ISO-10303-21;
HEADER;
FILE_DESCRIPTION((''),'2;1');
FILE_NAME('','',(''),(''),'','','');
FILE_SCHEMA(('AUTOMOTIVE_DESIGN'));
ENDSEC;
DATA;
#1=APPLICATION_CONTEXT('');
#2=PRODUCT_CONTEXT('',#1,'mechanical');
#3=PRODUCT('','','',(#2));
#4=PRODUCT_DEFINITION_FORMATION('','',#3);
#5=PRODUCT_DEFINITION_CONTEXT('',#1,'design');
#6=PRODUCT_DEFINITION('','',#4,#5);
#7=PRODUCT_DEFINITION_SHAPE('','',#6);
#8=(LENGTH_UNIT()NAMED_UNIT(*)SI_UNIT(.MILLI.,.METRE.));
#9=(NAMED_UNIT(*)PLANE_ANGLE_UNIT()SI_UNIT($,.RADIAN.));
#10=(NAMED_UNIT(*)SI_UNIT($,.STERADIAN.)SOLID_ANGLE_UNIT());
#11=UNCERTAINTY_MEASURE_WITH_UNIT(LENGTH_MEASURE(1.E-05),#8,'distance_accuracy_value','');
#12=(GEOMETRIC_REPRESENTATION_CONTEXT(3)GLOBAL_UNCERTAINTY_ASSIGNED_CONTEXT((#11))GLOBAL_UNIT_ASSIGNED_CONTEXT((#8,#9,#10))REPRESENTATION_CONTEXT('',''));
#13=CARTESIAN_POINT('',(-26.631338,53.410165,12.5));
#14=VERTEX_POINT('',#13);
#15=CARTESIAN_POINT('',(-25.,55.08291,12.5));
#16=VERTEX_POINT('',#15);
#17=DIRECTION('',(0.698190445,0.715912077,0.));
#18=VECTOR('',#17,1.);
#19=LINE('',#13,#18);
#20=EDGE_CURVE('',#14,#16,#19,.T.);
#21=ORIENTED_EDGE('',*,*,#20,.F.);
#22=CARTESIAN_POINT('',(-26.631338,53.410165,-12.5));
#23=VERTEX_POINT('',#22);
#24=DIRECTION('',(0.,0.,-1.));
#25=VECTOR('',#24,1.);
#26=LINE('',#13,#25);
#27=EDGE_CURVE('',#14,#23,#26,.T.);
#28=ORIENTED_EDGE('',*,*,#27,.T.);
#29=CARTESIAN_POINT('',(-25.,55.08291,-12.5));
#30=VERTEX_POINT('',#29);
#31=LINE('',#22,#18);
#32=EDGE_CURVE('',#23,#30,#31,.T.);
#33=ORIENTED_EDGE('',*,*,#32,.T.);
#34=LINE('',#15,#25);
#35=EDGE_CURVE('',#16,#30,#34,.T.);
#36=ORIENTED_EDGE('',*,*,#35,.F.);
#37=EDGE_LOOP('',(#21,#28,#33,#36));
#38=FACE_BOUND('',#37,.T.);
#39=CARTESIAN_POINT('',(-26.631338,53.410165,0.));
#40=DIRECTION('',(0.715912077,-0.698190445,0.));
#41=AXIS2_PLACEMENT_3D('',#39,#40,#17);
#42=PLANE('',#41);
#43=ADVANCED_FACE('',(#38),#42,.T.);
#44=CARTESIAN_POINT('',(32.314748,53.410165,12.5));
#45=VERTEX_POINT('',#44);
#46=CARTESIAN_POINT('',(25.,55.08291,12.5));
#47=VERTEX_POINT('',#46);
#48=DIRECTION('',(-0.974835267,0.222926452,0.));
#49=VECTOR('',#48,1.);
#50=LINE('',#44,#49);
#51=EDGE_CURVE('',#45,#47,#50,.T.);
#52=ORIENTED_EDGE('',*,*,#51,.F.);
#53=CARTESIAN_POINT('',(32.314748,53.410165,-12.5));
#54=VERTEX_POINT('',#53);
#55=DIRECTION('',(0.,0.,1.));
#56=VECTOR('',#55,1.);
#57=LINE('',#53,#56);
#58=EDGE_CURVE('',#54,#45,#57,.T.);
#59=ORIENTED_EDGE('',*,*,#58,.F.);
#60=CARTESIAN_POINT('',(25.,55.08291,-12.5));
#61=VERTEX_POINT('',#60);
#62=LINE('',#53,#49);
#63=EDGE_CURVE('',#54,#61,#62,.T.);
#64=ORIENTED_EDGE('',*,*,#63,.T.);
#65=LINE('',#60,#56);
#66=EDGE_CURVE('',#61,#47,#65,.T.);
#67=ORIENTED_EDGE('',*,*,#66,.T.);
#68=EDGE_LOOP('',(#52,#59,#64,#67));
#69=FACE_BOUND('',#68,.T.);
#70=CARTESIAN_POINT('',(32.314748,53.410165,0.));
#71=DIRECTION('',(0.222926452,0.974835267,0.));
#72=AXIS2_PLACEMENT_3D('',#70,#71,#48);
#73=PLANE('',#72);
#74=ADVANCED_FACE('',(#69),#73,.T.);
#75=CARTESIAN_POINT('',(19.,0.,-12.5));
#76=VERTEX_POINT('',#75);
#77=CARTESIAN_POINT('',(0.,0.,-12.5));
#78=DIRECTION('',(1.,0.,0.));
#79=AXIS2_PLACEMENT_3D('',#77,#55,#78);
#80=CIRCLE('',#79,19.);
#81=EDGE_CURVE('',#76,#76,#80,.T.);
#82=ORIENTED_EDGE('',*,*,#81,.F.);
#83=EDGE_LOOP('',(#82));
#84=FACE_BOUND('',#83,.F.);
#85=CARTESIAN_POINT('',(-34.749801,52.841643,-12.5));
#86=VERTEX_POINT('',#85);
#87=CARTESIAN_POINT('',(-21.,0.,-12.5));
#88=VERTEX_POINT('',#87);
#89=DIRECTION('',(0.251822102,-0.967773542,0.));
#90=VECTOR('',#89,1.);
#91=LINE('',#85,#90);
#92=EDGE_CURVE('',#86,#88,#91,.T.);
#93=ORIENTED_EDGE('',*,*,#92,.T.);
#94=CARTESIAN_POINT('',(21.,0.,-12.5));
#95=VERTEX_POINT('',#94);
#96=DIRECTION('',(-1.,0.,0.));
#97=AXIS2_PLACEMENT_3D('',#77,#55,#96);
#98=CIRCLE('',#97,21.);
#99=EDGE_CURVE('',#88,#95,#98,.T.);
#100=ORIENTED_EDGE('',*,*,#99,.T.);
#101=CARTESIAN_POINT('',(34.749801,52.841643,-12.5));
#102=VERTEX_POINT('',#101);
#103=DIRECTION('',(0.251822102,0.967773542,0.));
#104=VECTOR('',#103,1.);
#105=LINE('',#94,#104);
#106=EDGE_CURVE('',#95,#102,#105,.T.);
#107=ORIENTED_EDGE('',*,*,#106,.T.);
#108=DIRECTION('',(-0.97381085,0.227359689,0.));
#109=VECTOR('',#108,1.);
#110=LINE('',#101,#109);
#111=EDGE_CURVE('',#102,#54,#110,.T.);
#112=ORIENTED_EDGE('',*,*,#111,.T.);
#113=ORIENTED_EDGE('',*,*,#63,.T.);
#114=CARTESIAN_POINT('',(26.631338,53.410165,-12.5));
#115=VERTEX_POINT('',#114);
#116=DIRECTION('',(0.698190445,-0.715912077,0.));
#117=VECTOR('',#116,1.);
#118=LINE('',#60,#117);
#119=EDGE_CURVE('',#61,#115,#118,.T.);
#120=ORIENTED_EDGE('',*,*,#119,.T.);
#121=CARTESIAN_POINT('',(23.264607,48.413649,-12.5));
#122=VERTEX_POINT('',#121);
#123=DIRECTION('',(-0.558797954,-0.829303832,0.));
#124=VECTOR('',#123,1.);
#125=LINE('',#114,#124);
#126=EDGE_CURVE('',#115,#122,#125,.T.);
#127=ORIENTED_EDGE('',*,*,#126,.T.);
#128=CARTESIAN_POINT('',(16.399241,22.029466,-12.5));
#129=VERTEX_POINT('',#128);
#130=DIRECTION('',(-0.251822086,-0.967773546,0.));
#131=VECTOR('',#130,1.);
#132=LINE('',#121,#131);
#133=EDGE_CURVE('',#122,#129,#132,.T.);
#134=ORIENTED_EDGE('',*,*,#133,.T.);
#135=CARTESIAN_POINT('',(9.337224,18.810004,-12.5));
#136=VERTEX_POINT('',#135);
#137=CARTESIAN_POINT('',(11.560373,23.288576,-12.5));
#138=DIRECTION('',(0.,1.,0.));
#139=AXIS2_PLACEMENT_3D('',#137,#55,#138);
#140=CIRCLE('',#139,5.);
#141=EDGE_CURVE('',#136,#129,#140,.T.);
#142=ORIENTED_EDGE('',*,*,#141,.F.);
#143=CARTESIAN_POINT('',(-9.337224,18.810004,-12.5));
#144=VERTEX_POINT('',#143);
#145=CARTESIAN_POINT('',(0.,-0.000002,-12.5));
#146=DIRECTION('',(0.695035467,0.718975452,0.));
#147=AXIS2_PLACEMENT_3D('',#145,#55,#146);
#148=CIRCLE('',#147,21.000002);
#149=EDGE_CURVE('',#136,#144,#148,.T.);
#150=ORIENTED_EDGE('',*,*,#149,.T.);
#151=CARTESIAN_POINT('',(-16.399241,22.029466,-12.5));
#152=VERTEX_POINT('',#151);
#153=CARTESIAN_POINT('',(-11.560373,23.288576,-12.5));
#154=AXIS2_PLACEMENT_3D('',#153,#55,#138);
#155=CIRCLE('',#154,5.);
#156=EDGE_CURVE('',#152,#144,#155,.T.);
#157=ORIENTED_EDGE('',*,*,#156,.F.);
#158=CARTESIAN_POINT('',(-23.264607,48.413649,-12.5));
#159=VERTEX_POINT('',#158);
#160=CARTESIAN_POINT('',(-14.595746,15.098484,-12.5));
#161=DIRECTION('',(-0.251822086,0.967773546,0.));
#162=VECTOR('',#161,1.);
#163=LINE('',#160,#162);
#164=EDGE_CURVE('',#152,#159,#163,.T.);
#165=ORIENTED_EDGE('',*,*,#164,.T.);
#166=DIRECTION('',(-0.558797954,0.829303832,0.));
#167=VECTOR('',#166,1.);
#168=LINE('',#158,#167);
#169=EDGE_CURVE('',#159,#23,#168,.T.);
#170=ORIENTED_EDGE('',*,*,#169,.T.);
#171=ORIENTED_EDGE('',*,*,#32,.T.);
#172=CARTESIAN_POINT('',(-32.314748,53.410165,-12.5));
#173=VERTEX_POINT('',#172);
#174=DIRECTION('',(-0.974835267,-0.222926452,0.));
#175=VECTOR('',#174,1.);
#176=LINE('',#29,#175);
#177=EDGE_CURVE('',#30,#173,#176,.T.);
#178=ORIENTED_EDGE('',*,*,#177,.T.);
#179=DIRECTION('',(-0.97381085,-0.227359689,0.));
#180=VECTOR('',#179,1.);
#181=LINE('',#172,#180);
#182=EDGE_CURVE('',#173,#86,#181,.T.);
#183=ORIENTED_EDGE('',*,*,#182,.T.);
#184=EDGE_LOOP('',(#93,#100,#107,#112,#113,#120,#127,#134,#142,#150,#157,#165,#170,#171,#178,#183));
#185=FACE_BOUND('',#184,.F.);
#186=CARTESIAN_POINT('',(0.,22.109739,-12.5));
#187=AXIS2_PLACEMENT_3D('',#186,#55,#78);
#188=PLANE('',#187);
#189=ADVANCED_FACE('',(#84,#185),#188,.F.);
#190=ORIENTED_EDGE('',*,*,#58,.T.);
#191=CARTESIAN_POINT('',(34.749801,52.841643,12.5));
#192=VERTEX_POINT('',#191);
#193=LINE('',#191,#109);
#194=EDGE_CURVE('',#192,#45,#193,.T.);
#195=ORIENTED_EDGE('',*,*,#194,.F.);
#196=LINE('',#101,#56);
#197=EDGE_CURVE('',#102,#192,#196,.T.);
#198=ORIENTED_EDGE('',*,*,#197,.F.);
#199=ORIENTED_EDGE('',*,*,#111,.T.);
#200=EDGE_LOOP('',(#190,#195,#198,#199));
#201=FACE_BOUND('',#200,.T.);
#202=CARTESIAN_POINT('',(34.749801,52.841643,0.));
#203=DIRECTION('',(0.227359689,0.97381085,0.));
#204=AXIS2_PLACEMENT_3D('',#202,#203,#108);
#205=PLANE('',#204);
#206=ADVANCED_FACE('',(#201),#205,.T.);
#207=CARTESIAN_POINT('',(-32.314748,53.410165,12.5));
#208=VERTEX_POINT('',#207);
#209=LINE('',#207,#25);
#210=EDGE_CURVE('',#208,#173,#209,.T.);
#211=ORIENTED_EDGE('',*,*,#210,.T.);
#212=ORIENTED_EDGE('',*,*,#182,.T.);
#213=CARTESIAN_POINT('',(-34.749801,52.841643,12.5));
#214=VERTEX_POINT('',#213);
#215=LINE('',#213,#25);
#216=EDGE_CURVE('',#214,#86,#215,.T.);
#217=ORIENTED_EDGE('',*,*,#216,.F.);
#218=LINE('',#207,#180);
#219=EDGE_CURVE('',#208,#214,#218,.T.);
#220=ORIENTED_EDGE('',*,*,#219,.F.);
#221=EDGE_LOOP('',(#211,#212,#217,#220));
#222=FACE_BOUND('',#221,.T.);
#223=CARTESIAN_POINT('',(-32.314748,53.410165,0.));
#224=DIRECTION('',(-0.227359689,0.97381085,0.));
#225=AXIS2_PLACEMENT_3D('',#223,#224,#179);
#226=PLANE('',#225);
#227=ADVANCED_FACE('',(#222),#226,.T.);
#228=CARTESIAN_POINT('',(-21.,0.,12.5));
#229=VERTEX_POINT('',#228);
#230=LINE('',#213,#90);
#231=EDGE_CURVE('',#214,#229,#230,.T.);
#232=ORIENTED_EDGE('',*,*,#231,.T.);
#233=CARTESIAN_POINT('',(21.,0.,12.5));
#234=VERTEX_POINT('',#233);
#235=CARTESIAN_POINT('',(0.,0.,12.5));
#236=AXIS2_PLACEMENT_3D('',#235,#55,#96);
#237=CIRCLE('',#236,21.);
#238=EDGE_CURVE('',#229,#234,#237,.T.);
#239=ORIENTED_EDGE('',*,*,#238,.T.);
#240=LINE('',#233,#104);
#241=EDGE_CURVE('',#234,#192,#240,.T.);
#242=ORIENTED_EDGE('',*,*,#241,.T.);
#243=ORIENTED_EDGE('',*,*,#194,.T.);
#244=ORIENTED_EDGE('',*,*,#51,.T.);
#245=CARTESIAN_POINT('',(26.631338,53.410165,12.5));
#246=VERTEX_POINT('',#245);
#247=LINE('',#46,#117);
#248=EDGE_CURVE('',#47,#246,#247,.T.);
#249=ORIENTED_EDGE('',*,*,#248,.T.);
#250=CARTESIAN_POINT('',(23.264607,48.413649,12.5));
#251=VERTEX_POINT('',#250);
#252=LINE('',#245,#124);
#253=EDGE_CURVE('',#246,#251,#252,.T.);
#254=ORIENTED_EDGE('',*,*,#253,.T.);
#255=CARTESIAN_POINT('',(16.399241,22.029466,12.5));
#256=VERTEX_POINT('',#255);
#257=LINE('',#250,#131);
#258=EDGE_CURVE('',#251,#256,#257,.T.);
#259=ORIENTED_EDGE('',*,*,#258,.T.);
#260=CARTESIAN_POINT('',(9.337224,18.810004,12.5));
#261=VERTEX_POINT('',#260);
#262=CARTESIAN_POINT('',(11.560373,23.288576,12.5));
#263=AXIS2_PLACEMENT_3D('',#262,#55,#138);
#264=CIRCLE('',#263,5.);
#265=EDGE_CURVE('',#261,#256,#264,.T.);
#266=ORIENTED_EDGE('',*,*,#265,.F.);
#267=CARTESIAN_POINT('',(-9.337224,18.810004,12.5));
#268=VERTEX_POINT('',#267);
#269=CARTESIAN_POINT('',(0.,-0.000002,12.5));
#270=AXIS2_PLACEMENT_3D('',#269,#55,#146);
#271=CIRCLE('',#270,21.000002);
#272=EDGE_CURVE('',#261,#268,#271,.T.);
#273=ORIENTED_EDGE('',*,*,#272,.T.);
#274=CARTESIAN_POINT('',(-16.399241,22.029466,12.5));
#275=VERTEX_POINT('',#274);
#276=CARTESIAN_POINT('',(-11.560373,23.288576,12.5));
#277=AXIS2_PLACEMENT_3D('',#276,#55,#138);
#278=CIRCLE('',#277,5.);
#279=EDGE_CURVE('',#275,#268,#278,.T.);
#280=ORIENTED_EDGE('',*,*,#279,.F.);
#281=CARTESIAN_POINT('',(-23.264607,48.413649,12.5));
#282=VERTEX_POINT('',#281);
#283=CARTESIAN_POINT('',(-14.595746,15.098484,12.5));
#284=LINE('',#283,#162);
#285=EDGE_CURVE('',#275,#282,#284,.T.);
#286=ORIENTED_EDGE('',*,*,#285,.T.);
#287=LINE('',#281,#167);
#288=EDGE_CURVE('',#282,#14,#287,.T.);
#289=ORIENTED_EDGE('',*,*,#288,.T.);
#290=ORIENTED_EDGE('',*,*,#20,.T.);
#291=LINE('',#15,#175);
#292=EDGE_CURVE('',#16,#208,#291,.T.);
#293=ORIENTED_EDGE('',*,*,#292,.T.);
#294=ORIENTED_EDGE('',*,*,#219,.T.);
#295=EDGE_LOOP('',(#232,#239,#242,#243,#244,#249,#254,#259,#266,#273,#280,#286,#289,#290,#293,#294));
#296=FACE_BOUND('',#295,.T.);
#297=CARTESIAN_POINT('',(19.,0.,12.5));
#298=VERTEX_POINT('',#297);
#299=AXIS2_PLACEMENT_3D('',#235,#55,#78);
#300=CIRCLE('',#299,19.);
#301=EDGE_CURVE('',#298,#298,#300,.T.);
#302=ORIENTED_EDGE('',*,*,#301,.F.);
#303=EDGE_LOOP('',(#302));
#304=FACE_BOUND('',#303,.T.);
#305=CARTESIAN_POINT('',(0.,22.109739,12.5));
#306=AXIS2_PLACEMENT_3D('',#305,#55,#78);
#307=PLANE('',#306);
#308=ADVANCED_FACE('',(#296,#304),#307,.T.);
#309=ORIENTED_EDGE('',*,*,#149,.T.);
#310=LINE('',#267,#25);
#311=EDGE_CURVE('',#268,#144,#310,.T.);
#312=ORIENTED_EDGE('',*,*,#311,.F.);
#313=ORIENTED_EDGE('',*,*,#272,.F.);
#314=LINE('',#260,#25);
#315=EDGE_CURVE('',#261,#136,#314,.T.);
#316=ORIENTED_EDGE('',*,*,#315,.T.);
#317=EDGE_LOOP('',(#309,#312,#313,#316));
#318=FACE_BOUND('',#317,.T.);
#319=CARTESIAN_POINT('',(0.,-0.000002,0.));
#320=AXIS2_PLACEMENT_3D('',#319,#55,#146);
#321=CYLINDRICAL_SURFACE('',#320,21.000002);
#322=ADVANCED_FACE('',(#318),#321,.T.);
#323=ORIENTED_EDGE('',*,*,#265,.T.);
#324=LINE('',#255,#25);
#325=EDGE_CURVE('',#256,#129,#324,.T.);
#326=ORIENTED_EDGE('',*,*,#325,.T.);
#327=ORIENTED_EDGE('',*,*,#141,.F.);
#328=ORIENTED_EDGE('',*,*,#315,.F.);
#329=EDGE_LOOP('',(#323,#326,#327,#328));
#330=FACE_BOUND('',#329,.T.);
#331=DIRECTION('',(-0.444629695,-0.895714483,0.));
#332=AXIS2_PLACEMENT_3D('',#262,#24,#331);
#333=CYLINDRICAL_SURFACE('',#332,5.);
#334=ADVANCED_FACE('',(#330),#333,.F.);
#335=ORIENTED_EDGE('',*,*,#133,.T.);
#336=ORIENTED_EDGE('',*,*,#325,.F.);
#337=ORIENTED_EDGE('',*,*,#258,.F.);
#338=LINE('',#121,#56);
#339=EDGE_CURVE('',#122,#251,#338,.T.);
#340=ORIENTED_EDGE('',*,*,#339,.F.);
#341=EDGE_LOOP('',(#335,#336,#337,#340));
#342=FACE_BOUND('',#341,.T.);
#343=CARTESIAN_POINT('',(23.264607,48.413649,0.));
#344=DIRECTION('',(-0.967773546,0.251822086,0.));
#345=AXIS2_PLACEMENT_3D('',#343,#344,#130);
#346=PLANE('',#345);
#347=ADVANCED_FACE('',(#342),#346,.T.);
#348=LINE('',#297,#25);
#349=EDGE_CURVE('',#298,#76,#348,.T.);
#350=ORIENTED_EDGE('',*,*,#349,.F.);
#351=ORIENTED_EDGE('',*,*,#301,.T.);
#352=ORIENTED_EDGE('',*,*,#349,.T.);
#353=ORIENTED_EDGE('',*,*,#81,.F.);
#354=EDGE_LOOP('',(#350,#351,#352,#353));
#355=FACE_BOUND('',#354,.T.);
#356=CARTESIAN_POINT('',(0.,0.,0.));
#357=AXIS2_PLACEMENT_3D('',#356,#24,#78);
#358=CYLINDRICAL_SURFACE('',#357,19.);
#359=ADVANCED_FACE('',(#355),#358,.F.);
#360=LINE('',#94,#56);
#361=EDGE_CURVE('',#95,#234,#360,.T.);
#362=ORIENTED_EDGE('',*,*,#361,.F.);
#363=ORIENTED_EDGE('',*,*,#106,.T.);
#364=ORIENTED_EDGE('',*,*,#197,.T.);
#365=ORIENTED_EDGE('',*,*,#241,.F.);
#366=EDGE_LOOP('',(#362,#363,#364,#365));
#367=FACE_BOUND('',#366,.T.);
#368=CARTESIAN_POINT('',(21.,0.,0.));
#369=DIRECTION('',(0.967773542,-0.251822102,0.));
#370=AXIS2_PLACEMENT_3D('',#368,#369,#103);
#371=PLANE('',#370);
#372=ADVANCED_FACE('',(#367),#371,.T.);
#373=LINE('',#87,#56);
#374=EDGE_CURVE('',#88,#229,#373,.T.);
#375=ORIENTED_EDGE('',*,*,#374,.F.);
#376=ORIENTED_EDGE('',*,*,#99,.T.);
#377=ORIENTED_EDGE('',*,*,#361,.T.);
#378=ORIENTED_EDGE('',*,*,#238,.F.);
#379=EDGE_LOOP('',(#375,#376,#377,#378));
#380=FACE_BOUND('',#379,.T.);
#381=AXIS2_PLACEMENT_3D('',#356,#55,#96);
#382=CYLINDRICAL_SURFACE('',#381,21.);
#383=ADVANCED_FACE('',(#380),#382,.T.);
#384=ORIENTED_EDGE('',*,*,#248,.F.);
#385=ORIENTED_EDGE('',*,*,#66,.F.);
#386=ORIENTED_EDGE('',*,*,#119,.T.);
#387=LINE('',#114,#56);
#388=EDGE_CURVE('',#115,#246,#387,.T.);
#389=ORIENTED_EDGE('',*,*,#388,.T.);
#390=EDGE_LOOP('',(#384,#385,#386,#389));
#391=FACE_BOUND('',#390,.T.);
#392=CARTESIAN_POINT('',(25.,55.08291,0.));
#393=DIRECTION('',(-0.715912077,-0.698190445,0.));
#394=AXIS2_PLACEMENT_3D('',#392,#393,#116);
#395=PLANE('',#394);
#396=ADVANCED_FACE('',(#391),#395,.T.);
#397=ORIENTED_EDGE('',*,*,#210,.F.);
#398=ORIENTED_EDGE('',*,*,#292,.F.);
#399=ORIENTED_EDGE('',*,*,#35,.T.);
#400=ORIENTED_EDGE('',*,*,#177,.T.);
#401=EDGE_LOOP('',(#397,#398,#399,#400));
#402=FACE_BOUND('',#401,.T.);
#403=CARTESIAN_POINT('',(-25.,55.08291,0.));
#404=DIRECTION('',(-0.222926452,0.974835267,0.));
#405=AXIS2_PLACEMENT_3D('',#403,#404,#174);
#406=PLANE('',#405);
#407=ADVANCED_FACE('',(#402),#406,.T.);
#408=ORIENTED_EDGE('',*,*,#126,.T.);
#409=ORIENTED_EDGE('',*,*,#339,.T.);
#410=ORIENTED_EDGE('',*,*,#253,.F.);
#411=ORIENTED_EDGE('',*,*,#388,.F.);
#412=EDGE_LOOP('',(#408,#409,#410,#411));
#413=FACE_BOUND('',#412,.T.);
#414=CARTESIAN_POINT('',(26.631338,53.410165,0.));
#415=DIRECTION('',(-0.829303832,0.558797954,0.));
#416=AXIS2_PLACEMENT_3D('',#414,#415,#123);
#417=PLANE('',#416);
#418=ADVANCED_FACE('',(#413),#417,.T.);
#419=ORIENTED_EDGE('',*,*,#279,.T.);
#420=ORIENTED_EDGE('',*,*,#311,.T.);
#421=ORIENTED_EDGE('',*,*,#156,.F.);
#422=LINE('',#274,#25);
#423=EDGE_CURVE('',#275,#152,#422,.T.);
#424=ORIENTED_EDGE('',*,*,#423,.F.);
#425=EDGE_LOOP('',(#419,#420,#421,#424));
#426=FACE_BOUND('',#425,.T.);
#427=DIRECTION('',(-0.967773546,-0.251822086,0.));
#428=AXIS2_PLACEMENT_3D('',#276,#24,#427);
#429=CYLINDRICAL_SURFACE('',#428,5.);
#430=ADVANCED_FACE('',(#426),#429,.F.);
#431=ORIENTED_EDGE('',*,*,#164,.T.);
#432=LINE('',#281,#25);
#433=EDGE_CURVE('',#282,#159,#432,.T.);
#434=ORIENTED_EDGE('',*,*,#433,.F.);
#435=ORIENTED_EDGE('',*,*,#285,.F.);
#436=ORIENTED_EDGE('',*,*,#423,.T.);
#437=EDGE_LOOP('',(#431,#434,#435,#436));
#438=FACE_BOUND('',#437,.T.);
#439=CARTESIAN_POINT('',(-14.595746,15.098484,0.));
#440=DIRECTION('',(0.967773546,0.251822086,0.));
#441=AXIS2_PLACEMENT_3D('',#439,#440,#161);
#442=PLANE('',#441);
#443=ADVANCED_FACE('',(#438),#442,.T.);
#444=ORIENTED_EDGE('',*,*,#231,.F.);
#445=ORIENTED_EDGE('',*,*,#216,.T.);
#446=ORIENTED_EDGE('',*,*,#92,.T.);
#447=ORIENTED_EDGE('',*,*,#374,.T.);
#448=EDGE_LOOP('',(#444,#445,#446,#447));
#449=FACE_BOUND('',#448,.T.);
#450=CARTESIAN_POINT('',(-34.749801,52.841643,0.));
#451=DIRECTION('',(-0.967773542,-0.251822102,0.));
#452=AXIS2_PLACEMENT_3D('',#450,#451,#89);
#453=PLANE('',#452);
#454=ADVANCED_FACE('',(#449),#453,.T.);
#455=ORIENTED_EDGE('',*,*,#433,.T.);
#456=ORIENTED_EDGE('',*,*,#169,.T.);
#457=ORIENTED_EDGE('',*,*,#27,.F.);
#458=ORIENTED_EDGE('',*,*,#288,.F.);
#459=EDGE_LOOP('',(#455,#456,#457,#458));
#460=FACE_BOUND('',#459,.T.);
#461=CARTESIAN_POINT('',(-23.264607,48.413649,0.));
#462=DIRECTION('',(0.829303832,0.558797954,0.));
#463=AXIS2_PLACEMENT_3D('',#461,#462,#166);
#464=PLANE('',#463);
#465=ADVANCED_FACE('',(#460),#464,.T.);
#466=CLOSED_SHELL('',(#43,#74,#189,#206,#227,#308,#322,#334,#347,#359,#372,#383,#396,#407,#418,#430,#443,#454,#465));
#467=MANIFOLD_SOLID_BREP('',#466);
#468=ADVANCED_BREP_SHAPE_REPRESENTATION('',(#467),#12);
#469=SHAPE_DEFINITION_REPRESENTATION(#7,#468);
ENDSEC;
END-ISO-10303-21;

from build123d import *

# Parameters (mm, degrees)
F0_R     = 19
F1_DEPTH = 12.5
F2_R     = 5


with BuildPart() as f1:
    # F0 (on Top) → F1 (new body, symmetric)
    with BuildSketch(Plane.XY):
        with BuildLine():
            Line((-34.749801, 52.841643), (-21, 0))
            ThreePointArc((-21, 0), (0, -21), (21, 0))
            Line((21, 0), (34.749801, 52.841643))
            Line((34.749801, 52.841643), (32.314748, 53.410165))
            Line((32.314748, 53.410165), (25, 55.08291))
            Line((25, 55.08291), (26.631338, 53.410165))
            Line((26.631338, 53.410165), (23.264607, 48.413649))
            Line((23.264607, 48.413649), (14.595746, 15.098484))
            ThreePointArc((14.595746, 15.098484), (0, 21), (-14.595746, 15.098484))
            Line((-14.595746, 15.098484), (-23.264607, 48.413649))
            Line((-23.264607, 48.413649), (-26.631338, 53.410165))
            Line((-26.631338, 53.410165), (-25, 55.08291))
            Line((-25, 55.08291), (-32.314748, 53.410165))
            Line((-32.314748, 53.410165), (-34.749801, 52.841643))
        make_face()
        Circle(F0_R, mode=Mode.SUBTRACT)
    extrude(amount=F1_DEPTH, both=True)

    # F2
    f2_edges = [f1.edges().sort_by_distance(p)[0] for p in [
        (-14.595746, 15.098484, 0),
        (14.595746, 15.098484, 0),
    ]]
    fillet(f2_edges, radius=F2_R)


solid = f1.part
